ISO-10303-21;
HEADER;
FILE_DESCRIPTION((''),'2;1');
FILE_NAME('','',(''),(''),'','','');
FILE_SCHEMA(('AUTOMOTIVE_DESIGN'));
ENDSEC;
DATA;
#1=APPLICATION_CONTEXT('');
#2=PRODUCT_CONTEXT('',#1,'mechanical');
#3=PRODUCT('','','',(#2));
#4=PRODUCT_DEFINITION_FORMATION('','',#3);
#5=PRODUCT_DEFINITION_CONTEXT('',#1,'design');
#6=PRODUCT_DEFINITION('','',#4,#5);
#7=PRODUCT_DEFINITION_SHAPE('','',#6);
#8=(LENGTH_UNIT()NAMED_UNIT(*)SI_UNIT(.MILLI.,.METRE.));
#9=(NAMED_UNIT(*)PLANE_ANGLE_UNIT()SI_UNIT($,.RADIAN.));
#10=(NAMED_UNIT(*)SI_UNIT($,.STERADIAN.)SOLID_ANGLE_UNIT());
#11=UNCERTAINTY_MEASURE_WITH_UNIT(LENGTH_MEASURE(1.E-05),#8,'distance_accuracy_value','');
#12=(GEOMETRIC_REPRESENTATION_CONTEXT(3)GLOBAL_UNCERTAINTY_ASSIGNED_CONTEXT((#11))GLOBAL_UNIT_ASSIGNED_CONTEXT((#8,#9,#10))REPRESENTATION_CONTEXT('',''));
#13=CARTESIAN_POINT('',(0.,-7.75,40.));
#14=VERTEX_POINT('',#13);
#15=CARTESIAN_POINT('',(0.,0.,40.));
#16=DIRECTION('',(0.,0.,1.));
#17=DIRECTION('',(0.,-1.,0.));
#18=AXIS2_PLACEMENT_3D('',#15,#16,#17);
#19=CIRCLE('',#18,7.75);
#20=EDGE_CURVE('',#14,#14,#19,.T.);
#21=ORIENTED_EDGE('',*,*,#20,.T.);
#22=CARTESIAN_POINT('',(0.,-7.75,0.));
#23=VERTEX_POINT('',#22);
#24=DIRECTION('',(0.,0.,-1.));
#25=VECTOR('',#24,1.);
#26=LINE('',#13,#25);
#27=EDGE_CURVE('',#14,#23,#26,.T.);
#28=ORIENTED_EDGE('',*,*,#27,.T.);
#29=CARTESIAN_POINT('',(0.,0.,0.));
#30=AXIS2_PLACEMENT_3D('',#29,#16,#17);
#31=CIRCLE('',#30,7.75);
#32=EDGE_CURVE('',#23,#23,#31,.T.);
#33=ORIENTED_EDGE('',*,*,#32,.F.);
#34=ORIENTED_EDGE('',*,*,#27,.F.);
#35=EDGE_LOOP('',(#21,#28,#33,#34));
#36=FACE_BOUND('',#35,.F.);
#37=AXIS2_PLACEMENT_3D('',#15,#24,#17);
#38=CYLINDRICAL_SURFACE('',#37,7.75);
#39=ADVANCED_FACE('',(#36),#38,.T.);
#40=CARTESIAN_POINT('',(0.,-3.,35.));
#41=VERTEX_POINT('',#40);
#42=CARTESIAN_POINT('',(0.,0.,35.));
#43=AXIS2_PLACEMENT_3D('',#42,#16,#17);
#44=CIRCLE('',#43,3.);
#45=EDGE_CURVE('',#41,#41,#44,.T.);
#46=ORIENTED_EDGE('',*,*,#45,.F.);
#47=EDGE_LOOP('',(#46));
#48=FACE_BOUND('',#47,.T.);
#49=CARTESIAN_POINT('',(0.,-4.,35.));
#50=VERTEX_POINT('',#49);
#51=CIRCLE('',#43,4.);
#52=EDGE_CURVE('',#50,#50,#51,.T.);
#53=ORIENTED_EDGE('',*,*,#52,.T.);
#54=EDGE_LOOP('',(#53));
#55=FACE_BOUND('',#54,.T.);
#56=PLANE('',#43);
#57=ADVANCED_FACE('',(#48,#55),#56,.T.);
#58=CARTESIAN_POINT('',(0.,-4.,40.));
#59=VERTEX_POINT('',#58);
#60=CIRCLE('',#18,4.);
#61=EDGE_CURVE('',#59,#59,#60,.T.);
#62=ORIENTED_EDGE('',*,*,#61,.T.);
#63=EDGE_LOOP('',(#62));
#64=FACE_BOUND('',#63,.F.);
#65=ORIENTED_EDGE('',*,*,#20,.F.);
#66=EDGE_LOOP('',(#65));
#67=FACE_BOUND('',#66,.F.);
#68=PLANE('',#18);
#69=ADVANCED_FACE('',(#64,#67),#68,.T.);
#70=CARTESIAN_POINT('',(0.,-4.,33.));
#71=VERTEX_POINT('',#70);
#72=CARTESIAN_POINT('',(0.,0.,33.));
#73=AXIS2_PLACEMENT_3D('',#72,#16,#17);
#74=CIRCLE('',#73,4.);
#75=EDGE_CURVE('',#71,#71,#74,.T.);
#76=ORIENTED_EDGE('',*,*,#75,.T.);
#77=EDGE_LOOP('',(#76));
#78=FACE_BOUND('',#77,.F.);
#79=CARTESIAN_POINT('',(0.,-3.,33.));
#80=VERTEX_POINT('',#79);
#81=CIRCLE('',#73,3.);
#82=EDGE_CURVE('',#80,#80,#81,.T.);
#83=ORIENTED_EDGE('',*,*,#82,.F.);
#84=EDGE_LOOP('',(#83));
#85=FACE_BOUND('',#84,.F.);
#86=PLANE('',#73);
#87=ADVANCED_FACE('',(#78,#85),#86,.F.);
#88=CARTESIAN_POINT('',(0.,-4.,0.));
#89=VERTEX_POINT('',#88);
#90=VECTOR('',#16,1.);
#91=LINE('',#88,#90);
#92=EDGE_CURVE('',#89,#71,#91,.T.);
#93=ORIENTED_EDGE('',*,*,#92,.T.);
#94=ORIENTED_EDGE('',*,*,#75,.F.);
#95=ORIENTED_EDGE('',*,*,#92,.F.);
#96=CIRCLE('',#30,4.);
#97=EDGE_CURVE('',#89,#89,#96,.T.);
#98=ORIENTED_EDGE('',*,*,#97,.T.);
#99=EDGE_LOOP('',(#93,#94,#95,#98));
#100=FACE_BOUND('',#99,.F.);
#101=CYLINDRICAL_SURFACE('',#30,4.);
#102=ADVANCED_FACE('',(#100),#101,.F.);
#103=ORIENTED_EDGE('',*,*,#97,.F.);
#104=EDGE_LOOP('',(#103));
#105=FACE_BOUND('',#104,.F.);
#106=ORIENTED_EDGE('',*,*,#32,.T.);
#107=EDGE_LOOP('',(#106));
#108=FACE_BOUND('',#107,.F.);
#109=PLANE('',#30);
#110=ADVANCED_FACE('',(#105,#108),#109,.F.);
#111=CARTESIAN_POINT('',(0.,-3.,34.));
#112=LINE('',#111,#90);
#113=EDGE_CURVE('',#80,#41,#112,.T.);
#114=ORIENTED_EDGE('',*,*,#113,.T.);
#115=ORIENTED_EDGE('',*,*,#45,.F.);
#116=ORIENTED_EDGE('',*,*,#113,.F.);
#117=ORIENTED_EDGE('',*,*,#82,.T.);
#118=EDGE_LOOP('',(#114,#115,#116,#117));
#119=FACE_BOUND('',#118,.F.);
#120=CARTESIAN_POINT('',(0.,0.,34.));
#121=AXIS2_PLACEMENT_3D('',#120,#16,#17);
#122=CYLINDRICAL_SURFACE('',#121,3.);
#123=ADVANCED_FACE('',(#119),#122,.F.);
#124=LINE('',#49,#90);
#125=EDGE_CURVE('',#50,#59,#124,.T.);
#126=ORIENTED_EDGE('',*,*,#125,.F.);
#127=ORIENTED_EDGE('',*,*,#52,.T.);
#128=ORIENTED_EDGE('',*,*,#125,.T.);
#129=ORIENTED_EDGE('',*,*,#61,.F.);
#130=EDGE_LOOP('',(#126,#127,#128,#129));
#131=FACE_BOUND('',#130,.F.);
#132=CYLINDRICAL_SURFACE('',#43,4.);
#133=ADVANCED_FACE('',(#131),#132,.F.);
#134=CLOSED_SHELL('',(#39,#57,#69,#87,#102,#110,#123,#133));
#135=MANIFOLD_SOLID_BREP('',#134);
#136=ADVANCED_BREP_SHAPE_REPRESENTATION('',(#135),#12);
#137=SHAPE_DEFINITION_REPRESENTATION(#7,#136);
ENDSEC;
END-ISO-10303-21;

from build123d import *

# Parameters (mm, degrees)
F0_W = 1
F0_H = 2


with BuildPart() as f1:
    # F0 (on Right) → F1 (revolve)
    with BuildSketch(Plane.YZ):
        with Locations((-3.5, 34)):
            Rectangle(F0_W, F0_H)
        Polygon((-7.75, 0), (-4, 0), (-4, 33), (-4, 35), (-4, 40), (-7.75, 40), align=None)
    revolve(axis=Axis((0, 0, 20), (0, 0, 1)))


solid = f1.part
